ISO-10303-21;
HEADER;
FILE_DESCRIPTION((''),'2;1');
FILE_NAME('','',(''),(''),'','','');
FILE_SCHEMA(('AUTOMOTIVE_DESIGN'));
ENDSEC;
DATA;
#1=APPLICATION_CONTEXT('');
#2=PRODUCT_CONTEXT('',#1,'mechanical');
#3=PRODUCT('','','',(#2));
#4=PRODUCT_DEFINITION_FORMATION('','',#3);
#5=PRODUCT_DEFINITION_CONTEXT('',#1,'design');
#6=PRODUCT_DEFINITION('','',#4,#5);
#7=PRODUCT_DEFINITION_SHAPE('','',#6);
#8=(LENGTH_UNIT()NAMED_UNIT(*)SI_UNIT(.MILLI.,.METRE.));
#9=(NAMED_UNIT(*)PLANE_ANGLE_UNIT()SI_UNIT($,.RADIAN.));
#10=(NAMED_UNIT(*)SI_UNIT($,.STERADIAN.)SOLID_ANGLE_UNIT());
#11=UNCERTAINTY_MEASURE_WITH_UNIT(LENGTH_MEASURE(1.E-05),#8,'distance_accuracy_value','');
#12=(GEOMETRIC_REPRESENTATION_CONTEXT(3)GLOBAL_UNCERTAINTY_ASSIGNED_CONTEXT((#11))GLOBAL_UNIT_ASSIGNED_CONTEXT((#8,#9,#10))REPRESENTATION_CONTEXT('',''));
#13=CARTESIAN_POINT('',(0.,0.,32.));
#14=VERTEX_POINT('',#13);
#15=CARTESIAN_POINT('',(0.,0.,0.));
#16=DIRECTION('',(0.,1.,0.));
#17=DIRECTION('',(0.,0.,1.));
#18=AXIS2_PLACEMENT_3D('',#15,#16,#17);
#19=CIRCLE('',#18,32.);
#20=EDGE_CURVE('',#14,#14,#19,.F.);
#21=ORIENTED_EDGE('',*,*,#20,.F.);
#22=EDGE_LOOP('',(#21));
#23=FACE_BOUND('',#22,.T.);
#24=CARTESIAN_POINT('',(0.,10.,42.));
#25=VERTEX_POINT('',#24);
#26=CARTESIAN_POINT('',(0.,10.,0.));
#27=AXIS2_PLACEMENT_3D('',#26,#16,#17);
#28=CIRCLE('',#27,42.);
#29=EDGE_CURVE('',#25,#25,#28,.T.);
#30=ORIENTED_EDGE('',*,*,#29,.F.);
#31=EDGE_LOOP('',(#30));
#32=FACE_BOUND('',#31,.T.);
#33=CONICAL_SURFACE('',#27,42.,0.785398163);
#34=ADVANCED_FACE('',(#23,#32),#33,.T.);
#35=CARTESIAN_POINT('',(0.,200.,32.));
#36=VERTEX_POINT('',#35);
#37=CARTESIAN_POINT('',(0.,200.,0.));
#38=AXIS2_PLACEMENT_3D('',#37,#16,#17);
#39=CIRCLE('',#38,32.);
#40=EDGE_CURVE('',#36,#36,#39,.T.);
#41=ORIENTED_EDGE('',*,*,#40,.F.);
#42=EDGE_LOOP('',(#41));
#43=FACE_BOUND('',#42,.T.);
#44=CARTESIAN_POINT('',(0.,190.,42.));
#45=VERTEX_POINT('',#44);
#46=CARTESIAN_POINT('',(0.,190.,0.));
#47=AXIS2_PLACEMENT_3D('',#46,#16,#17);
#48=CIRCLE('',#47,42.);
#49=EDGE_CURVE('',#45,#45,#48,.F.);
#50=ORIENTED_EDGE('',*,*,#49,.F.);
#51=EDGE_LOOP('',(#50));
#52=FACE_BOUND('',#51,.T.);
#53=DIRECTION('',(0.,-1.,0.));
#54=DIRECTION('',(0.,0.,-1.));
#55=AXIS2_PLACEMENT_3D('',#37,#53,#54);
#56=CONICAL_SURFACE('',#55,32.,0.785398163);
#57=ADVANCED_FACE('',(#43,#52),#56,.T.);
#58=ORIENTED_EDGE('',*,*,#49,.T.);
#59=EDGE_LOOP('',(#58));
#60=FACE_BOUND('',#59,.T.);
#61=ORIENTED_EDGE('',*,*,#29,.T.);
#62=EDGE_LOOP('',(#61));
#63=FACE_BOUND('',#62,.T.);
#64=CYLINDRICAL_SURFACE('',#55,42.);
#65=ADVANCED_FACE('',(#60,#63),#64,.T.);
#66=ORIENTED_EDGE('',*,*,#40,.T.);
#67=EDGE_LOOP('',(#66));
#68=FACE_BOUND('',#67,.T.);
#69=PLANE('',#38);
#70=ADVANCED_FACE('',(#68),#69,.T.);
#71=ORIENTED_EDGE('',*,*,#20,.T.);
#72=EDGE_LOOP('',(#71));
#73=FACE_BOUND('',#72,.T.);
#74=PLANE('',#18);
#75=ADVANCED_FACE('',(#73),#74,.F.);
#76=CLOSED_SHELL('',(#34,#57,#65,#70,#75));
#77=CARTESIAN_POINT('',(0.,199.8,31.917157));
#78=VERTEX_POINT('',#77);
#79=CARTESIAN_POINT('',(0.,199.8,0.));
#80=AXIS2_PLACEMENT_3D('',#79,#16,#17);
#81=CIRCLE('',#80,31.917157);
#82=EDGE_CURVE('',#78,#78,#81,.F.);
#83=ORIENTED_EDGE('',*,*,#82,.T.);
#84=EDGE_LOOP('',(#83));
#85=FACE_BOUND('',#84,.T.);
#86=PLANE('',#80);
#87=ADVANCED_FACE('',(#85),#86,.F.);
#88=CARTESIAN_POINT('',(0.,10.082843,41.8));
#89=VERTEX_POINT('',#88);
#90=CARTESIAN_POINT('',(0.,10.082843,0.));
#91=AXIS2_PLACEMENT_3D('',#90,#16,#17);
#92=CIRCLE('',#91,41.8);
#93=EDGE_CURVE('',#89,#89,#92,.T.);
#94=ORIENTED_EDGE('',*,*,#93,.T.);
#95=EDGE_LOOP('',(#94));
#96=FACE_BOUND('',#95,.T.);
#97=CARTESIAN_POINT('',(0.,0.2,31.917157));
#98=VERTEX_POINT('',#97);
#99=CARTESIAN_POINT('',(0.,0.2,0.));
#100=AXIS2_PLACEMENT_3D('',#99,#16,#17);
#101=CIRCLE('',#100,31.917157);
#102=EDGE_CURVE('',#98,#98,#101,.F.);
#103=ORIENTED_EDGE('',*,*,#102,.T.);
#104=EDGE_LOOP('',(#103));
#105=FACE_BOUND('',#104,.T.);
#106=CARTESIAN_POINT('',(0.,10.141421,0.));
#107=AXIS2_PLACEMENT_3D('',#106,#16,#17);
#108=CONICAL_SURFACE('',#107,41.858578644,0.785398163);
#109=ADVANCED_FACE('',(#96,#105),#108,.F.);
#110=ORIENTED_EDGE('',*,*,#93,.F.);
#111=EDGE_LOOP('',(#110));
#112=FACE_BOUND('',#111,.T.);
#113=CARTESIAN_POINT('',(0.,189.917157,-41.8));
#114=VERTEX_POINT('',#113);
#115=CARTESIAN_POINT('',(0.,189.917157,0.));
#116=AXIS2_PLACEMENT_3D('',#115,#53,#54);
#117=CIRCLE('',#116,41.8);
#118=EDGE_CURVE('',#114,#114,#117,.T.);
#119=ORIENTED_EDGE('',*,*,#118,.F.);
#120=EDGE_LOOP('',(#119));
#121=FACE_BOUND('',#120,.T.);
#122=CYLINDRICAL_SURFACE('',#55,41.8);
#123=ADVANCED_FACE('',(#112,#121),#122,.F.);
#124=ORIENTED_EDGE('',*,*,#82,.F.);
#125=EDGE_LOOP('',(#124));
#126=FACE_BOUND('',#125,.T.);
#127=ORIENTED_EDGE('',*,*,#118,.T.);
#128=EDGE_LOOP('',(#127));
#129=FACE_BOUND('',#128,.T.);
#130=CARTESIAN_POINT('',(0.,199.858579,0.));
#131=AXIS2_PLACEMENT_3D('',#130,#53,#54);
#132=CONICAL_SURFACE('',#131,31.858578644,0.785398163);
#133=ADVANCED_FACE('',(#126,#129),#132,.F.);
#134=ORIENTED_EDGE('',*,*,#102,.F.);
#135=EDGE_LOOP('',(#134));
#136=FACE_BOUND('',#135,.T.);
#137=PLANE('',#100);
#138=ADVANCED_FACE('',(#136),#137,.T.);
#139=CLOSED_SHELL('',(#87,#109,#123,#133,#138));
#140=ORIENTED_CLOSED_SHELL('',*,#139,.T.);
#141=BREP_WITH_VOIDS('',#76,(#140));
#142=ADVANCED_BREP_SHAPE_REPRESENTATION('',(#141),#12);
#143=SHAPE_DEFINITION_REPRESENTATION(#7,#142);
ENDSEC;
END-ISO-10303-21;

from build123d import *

# Parameters (mm, degrees)
SZKIC1_R                    = 42
DODANIE_WYCI_GNI_CIE1_DEPTH = 200
SFAZOWANIE1_SIZE            = 10
SKORUPA1_T                  = -0.2
SZKIC8_R                    = 32
DODANIE_WYCI_GNI_CIE4_DEPTH = 0.2


with BuildPart() as part:
    # Szkic1 → Dodanie-wyciągnięcie1 (new body)
    with BuildSketch(Plane(origin=(0, 0, 0), x_dir=(1, 0, 0), z_dir=(0, 1, 0))):
        with Locations(Location((0, 0, 0), (0, 0, 270))):
            Circle(SZKIC1_R)
    extrude(amount=DODANIE_WYCI_GNI_CIE1_DEPTH)

    # Sfazowanie1
    sfazowanie1_edges = [part.edges().sort_by_distance(p)[0] for p in [
        (0, 0, -42),
        (0, 200, -42),
    ]]
    chamfer(sfazowanie1_edges, length=SFAZOWANIE1_SIZE)

    # Skorupa1
    skorupa1_openings = [part.faces().sort_by_distance(p)[0] for p in [
        (0, 200, 0),
    ]]
    offset(amount=SKORUPA1_T, openings=skorupa1_openings, kind=Kind.INTERSECTION)

    # Szkic8 → Dodanie-wyciągnięcie4 (add)
    with BuildSketch(Plane(origin=(0, 200, 0), x_dir=(1, 0, 0), z_dir=(0, 1, 0))):
        Circle(SZKIC8_R)
    extrude(amount=-DODANIE_WYCI_GNI_CIE4_DEPTH)


solid = part.part
